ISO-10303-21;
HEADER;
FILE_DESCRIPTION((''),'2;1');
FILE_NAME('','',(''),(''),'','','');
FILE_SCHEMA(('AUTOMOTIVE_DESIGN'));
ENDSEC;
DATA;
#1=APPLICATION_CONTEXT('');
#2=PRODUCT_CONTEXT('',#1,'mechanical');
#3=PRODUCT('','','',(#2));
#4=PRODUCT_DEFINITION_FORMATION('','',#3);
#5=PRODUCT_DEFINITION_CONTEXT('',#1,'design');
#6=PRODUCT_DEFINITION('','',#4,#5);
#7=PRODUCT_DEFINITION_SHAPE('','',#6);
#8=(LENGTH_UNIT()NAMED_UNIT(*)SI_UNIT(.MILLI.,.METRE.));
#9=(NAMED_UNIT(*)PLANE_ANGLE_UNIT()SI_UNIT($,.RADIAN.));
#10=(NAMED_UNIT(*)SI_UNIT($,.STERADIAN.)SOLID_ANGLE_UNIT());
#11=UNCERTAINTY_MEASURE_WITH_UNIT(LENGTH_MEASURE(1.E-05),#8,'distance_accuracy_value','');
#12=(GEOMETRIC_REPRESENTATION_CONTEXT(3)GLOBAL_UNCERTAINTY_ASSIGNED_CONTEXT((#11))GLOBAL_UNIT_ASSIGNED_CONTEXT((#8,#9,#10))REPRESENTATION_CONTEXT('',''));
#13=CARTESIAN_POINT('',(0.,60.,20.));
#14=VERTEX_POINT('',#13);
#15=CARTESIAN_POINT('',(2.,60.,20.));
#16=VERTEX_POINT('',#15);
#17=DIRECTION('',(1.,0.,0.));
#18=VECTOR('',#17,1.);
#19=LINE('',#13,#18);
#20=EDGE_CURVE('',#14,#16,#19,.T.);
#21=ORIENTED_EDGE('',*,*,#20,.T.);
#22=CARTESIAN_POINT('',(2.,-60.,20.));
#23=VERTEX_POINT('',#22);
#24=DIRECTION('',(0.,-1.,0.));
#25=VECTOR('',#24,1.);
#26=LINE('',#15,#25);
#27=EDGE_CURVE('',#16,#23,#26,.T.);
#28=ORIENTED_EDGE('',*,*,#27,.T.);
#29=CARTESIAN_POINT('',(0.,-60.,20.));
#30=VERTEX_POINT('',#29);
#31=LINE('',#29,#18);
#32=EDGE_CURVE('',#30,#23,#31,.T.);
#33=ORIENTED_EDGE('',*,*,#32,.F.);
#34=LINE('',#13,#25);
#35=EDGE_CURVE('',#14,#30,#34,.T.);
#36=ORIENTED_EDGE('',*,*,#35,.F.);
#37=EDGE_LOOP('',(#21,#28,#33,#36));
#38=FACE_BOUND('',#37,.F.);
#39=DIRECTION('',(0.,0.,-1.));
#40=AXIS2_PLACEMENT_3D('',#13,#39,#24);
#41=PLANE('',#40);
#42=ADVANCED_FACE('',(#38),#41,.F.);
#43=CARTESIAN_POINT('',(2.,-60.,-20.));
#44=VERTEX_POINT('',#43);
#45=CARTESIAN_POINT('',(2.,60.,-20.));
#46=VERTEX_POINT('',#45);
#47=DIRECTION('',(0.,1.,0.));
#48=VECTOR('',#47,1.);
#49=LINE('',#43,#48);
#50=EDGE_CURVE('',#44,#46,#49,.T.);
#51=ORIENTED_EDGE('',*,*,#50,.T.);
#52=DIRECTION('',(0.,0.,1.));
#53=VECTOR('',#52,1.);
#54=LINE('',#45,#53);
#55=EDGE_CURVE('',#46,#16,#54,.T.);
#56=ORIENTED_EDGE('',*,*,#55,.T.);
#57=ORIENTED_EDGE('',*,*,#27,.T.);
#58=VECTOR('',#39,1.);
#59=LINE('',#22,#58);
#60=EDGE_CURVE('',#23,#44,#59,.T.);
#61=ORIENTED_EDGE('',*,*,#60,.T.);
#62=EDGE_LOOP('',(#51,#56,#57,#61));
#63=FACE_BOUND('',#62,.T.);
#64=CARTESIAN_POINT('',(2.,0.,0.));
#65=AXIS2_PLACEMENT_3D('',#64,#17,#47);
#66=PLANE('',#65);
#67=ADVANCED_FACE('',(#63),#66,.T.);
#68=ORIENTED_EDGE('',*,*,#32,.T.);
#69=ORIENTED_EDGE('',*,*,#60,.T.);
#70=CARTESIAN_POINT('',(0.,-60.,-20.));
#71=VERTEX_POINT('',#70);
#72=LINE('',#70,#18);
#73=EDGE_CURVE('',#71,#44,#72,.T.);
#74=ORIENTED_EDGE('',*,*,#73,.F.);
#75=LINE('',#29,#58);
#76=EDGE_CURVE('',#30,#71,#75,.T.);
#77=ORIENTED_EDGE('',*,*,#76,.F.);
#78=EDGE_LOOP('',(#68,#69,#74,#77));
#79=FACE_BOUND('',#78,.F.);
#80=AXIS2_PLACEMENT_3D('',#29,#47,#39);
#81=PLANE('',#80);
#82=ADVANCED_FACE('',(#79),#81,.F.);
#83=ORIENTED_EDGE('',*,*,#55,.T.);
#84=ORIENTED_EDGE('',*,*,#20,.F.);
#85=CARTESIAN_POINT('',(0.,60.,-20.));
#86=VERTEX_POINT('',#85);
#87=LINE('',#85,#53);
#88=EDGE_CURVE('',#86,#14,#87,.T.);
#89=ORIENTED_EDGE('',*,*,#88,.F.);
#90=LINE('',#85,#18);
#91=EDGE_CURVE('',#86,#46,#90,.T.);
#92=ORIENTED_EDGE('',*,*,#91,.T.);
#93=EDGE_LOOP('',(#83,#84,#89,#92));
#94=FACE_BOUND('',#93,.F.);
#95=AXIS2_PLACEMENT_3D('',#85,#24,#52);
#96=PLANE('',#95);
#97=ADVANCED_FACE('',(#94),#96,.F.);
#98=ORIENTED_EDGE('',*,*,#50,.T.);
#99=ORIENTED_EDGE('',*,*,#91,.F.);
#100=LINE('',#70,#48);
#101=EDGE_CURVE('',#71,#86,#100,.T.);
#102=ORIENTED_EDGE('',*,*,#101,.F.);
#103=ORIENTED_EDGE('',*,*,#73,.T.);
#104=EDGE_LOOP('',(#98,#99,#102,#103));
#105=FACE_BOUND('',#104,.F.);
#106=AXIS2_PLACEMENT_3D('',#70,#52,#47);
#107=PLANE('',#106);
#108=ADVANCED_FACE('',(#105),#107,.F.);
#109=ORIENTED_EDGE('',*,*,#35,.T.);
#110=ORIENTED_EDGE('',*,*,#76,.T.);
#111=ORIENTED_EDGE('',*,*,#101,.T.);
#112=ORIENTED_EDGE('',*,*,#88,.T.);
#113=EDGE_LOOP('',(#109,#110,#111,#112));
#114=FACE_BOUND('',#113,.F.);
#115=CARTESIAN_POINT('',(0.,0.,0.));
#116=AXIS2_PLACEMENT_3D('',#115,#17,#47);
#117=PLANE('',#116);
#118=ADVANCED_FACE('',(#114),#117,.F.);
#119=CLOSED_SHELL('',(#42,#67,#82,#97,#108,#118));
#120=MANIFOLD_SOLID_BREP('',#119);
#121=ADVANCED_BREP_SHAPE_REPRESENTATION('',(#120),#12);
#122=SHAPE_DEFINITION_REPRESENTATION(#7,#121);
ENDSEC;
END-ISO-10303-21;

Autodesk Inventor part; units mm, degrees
ref_plane "YZ Plane" through (0, 0, 0) normal (1, 0, 0) x (0, 1, 0)
ref_plane "XZ Plane" through (0, 0, 0) normal (0, 1, 0) x (-1, 0, 0)
ref_plane "XY Plane" through (0, 0, 0) normal (0, 0, 1) x (1, 0, 0)
sketch "Sketch1" plane through (0, 0, 0) normal (1, 0, 0) x (0, 1, 0)
  line L0 (-60, -20) -> (60, -20)
  line L1 (60, -20) -> (60, 20)
  line L2 (60, 20) -> (-60, 20)
  line L3 (-60, 20) -> (-60, -20)
  line L4 (-60, -20) -> (60, 20) construction
  line L5 (60, -20) -> (-60, 20) construction
  point P0 (0, 0)
  dimension "d0" = 120
  dimension "d1" = 40
extrude "Extrusion1" add sketch "Sketch1" along normal blind 2
properties part number "SolarPanel" material "Glass"
